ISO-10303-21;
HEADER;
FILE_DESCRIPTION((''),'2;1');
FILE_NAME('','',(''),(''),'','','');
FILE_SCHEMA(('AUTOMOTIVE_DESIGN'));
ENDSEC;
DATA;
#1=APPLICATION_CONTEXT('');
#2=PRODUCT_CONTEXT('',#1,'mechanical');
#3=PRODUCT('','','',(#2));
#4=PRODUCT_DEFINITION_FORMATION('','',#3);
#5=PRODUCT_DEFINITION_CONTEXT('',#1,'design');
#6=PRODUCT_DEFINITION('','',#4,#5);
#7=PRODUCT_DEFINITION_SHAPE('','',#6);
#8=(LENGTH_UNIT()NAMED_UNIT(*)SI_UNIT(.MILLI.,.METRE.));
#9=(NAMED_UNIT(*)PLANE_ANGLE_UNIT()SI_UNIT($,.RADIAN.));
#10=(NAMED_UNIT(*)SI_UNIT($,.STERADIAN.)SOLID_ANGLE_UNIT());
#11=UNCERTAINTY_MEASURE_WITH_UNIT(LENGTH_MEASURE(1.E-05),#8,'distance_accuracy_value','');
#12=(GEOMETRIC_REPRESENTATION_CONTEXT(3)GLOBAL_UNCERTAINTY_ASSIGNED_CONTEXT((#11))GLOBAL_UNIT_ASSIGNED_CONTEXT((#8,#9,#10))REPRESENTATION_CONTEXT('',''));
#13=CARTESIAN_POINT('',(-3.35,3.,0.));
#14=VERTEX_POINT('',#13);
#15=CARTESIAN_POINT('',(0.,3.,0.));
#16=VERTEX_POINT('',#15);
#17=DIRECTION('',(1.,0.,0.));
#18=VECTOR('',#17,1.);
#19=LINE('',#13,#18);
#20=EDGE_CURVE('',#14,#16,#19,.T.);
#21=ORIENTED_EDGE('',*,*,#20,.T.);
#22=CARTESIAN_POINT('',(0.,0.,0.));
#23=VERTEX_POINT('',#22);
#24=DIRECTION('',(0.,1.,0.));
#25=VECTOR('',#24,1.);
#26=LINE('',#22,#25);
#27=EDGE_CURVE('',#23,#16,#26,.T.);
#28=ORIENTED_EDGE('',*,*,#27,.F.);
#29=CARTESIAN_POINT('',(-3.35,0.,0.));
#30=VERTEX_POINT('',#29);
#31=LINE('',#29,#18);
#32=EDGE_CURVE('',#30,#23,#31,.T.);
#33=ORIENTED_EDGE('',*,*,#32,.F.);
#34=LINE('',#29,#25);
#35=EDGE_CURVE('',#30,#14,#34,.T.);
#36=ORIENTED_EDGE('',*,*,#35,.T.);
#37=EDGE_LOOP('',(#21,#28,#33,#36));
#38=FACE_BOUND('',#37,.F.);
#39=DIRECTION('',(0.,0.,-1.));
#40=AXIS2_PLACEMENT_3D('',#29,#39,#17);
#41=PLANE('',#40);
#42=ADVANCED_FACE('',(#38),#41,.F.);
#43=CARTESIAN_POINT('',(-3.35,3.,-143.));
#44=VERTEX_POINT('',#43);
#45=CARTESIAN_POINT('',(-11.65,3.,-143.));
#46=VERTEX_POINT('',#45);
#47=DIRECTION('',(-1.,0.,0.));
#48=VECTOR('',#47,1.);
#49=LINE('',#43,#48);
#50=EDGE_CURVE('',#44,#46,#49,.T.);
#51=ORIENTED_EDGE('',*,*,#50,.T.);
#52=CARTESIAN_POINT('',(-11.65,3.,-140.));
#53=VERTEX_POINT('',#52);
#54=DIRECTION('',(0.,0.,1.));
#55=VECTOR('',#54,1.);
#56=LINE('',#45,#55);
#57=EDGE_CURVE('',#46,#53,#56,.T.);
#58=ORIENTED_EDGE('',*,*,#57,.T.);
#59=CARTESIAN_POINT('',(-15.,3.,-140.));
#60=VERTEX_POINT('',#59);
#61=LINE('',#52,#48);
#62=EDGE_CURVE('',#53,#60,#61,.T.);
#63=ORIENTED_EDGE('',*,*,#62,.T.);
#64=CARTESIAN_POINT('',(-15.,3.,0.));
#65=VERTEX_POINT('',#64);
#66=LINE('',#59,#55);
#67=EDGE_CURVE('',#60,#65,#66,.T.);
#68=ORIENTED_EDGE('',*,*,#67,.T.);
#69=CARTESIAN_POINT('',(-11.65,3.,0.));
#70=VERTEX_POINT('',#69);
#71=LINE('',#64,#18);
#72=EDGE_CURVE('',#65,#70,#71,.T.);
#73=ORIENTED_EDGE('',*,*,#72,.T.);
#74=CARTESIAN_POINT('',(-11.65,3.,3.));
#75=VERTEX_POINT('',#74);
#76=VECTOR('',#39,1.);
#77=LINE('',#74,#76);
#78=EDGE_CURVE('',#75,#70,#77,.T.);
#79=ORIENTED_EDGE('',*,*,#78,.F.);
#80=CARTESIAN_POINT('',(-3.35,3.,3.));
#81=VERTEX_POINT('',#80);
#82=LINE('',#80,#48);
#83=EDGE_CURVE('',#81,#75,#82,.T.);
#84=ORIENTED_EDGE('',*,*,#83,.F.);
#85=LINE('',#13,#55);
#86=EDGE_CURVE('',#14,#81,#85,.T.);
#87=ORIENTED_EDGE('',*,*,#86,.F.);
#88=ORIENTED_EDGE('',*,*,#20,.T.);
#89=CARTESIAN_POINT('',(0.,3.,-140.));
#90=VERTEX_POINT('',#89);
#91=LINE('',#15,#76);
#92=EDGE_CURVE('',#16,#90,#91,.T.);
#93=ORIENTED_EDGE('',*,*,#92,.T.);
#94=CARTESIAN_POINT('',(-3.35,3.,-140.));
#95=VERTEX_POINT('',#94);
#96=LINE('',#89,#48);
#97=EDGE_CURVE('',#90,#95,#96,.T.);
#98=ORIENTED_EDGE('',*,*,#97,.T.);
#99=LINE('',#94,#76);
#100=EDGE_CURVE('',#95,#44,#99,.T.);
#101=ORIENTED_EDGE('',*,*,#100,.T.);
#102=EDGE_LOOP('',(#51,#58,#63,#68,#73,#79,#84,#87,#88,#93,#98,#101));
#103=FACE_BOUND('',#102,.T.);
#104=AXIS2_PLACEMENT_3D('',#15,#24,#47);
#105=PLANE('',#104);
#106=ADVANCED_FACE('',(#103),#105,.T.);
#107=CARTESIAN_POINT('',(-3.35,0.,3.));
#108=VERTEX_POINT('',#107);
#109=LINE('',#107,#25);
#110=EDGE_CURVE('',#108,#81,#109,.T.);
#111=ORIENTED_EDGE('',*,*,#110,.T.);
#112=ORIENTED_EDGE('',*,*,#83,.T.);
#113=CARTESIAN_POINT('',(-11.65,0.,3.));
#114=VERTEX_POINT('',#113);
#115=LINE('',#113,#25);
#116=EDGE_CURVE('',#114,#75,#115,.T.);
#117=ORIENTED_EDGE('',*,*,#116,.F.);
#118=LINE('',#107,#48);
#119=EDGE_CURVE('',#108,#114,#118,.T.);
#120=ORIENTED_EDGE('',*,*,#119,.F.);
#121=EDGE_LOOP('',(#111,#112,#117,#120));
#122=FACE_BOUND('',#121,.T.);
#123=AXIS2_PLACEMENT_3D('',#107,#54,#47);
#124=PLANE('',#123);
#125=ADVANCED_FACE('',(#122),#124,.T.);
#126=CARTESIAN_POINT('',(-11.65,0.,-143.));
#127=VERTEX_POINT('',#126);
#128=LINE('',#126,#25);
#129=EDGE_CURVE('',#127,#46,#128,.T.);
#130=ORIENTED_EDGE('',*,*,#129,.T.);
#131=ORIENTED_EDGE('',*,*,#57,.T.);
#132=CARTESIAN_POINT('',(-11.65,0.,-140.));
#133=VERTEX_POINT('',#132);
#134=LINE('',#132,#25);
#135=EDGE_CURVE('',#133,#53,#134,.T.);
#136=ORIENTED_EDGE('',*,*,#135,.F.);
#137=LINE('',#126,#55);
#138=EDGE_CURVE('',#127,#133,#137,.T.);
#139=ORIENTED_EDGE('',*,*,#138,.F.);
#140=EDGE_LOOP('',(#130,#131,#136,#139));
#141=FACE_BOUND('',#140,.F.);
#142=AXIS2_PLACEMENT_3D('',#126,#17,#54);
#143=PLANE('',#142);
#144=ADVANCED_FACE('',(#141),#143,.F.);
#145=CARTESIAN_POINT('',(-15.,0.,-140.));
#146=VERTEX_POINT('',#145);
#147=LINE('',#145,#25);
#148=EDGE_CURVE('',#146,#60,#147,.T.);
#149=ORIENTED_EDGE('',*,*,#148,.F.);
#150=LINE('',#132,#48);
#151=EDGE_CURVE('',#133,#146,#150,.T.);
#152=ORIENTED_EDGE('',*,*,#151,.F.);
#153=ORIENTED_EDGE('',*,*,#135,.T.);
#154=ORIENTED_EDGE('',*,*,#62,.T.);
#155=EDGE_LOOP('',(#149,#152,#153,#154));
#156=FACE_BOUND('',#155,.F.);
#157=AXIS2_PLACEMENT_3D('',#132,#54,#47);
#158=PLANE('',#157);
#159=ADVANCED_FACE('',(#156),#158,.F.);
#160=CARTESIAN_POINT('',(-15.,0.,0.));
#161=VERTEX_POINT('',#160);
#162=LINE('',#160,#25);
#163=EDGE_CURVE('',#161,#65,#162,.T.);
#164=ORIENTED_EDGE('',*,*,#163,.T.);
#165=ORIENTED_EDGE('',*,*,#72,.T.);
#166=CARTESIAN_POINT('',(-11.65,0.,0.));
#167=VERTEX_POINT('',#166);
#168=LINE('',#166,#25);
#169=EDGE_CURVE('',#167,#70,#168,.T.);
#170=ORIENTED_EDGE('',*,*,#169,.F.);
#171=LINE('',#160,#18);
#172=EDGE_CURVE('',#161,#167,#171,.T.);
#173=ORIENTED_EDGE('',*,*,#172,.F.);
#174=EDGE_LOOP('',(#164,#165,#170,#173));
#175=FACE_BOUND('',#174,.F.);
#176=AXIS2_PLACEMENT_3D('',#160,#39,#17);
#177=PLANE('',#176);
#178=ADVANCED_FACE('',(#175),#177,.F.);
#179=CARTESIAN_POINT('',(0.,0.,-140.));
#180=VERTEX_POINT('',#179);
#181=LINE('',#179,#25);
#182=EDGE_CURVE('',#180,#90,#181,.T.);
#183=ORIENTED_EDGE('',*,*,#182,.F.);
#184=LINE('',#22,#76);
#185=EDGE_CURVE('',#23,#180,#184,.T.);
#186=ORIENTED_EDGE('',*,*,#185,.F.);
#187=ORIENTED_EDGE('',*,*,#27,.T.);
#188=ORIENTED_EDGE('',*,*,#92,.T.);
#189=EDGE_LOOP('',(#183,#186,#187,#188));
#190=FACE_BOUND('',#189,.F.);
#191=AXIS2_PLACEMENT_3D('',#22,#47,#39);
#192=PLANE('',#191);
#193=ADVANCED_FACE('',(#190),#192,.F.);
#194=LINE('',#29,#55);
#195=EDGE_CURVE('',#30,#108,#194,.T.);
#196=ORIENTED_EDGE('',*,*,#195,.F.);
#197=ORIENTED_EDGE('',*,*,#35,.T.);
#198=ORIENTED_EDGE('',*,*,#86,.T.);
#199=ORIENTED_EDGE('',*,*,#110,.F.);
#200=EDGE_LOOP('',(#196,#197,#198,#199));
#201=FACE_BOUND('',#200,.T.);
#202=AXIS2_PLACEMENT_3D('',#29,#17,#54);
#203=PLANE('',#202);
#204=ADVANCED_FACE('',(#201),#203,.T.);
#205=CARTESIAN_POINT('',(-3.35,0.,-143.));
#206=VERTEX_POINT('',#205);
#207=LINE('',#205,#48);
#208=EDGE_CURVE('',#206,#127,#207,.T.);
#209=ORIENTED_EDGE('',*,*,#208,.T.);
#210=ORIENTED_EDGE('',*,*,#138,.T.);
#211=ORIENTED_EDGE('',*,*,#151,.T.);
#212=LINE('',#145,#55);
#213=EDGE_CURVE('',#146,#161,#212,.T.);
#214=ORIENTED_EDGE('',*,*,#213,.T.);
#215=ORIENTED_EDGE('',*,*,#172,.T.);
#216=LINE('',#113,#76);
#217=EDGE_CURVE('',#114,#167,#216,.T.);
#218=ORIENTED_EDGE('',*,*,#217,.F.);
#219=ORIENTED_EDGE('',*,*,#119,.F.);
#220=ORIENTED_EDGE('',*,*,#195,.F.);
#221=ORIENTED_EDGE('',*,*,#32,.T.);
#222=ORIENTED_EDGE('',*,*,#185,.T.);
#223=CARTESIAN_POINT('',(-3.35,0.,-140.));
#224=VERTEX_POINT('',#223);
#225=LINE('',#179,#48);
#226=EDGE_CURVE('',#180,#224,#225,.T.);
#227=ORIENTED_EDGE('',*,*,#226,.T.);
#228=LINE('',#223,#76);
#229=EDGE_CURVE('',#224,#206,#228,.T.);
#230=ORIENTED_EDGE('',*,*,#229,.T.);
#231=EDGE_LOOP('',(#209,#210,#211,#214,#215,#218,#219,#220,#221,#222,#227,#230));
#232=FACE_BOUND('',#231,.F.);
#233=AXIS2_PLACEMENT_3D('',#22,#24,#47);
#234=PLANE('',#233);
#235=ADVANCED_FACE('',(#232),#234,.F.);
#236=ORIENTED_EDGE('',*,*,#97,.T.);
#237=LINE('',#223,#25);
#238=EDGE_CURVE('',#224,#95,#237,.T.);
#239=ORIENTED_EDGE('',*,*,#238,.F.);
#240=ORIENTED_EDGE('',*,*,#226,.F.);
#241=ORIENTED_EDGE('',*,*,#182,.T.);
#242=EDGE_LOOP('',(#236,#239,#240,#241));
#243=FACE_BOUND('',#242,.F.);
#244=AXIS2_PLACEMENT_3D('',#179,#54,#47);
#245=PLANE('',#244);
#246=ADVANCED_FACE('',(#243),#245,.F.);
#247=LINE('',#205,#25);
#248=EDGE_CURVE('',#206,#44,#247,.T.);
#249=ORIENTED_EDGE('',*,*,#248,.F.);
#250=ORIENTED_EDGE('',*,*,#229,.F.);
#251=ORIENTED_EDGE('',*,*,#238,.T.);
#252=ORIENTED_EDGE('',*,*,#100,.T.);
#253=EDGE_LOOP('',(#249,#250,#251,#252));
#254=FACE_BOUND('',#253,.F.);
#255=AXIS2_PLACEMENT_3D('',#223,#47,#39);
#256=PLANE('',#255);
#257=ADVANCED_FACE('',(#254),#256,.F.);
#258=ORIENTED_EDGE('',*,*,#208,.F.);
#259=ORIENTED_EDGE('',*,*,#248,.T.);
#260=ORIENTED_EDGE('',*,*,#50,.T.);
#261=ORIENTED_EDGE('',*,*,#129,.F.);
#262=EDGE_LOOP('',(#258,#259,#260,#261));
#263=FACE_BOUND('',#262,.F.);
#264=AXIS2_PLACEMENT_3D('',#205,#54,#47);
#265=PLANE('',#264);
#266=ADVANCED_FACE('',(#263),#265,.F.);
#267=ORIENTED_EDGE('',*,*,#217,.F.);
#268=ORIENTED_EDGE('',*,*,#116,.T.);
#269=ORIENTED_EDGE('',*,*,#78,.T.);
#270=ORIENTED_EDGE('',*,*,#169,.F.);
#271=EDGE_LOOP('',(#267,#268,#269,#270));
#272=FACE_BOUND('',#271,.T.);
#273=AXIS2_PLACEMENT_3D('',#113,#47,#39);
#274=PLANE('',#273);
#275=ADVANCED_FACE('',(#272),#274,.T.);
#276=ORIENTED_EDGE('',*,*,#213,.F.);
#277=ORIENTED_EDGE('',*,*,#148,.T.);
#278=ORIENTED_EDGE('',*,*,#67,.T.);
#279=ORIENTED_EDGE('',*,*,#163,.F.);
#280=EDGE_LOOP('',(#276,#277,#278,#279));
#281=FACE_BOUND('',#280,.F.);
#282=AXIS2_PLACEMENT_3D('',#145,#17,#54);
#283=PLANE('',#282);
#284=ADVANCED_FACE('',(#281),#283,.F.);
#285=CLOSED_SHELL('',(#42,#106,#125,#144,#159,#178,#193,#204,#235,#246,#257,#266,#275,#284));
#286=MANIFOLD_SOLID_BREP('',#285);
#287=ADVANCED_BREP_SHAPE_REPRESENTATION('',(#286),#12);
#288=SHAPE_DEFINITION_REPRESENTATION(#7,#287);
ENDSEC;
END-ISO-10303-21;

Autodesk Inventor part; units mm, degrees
ref_plane "YZ Plane" through (0, 0, 0) normal (1, 0, 0) x (0, 1, 0)
ref_plane "XZ Plane" through (0, 0, 0) normal (0, 1, 0) x (-1, 0, 0)
ref_plane "XY Plane" through (0, 0, 0) normal (0, 0, 1) x (1, 0, 0)
sketch "草圖1" plane through (0, 0, 0) normal (0, 1, 0) x (-1, 0, 0)
  line L0 (0, 0) -> (0, -140)
  line L1 (15, -140) -> (15, 0)
  line L2 (3.35, 0) -> (3.35, 3)
  line L3 (3.35, 3) -> (11.65, 3)
  line L4 (11.65, 3) -> (11.65, 0)
  line L5 (3.35, -140) -> (3.35, -143)
  line L6 (3.35, -143) -> (11.65, -143)
  line L7 (11.65, -143) -> (11.65, -140)
  line L8 (0, -140) -> (3.35, -140)
  line L9 (11.65, -140) -> (15, -140)
  line L10 (15, 0) -> (11.65, 0)
  line L11 (3.35, 0) -> (0, 0)
  dimension "d0" = 3
  dimension "d1" = 8.3
  dimension "d2" = 15
  dimension "d4" = 3
  dimension "d5" = 8.3
  dimension "d7" = 140
  dimension "d8" = 140
  dimension "d28" = 3.35
  dimension "d29" = 3.35
extrude "擠出1" add sketch "草圖1" along normal blind 3
sketch "草圖3" plane through (0, 0, 0) normal (0, -1, 0) x (1, 0, 0)
  line L0 (5, 3) -> (0, 3)
  line L1 (0, 3) -> (0, -143)
  line L2 (0, -143) -> (5, -143)
  line L3 (5, -143) -> (5, 3)
  line L4 (0, 0) -> (0, -140) projected
  line L5 (-11.65, 3) -> (-3.35, 3) projected
  dimension "d24" = 146
  dimension "d25" = 5
extrude "擠出3" [suppressed]
sketch "草圖2" plane through (0, 3, 0) normal (0, 1, 0) x (1, 0, 0)
  line L0 (0, 140) -> (-3.35, 140) projected
  line L1 (-3.35, 140) -> (-3.35, 143) projected
  line L2 (-3.35, 143) -> (-11.65, 143) projected
  line L3 (-11.65, 143) -> (-11.65, 140) projected
  line L4 (-11.65, 140) -> (-15, 140) projected
  line L5 (-15, 140) -> (-15, 0) projected
  line L6 (-15, 0) -> (-11.65, 0) projected
  line L7 (-11.65, 0) -> (-11.65, -3) projected
  line L8 (-11.65, -3) -> (-3.35, -3) projected
  line L9 (-3.35, -3) -> (-3.35, 0) projected
  line L10 (-3.35, 0) -> (0, 0) projected
  line L11 (-4, 134) -> (1, 134)
  line L12 (1, 134) -> (1, 6)
  line L13 (1, 6) -> (-4, 6)
  line L14 (-4, 6) -> (-4, 134)
  line L15 (-4, 67.5707) -> (-4, 72.4293)
  line L16 (-5, 72.4293) -> (-5, 67.5707)
  line L17 (5, 143) -> (5, -3) projected
  line L18 (0, 0) -> (0, 140) projected
  dimension "d17" = 5
  dimension "d19" = 6
  dimension "d20" = 6
  dimension "d30" = 4
extrude "擠出2" [suppressed]
sketch "草圖4" plane through (0, 3, 0) normal (0, 1, 0) x (1, 0, 0)
  line L0 (0, 0) -> (0, 140) projected
  line L1 (0, 140) -> (-3.35, 140) projected
  line L2 (-3.35, 140) -> (-3.35, 143) projected
  line L3 (-3.35, 143) -> (-11.65, 143) projected
  line L4 (-11.65, 143) -> (-11.65, 140) projected
  line L5 (-11.65, 140) -> (-15, 140) projected
  line L6 (-15, 140) -> (-15, 0) projected
  line L7 (-15, 0) -> (-11.65, 0) projected
  line L8 (-11.65, 0) -> (-11.65, -3) projected
  line L9 (-11.65, -3) -> (-3.35, -3) projected
  line L10 (-3.35, -3) -> (-3.35, 0) projected
  line L11 (-3.35, 0) -> (0, 0) projected
equation "\"d29\" = d28"
properties part number "chassis_1_3"
